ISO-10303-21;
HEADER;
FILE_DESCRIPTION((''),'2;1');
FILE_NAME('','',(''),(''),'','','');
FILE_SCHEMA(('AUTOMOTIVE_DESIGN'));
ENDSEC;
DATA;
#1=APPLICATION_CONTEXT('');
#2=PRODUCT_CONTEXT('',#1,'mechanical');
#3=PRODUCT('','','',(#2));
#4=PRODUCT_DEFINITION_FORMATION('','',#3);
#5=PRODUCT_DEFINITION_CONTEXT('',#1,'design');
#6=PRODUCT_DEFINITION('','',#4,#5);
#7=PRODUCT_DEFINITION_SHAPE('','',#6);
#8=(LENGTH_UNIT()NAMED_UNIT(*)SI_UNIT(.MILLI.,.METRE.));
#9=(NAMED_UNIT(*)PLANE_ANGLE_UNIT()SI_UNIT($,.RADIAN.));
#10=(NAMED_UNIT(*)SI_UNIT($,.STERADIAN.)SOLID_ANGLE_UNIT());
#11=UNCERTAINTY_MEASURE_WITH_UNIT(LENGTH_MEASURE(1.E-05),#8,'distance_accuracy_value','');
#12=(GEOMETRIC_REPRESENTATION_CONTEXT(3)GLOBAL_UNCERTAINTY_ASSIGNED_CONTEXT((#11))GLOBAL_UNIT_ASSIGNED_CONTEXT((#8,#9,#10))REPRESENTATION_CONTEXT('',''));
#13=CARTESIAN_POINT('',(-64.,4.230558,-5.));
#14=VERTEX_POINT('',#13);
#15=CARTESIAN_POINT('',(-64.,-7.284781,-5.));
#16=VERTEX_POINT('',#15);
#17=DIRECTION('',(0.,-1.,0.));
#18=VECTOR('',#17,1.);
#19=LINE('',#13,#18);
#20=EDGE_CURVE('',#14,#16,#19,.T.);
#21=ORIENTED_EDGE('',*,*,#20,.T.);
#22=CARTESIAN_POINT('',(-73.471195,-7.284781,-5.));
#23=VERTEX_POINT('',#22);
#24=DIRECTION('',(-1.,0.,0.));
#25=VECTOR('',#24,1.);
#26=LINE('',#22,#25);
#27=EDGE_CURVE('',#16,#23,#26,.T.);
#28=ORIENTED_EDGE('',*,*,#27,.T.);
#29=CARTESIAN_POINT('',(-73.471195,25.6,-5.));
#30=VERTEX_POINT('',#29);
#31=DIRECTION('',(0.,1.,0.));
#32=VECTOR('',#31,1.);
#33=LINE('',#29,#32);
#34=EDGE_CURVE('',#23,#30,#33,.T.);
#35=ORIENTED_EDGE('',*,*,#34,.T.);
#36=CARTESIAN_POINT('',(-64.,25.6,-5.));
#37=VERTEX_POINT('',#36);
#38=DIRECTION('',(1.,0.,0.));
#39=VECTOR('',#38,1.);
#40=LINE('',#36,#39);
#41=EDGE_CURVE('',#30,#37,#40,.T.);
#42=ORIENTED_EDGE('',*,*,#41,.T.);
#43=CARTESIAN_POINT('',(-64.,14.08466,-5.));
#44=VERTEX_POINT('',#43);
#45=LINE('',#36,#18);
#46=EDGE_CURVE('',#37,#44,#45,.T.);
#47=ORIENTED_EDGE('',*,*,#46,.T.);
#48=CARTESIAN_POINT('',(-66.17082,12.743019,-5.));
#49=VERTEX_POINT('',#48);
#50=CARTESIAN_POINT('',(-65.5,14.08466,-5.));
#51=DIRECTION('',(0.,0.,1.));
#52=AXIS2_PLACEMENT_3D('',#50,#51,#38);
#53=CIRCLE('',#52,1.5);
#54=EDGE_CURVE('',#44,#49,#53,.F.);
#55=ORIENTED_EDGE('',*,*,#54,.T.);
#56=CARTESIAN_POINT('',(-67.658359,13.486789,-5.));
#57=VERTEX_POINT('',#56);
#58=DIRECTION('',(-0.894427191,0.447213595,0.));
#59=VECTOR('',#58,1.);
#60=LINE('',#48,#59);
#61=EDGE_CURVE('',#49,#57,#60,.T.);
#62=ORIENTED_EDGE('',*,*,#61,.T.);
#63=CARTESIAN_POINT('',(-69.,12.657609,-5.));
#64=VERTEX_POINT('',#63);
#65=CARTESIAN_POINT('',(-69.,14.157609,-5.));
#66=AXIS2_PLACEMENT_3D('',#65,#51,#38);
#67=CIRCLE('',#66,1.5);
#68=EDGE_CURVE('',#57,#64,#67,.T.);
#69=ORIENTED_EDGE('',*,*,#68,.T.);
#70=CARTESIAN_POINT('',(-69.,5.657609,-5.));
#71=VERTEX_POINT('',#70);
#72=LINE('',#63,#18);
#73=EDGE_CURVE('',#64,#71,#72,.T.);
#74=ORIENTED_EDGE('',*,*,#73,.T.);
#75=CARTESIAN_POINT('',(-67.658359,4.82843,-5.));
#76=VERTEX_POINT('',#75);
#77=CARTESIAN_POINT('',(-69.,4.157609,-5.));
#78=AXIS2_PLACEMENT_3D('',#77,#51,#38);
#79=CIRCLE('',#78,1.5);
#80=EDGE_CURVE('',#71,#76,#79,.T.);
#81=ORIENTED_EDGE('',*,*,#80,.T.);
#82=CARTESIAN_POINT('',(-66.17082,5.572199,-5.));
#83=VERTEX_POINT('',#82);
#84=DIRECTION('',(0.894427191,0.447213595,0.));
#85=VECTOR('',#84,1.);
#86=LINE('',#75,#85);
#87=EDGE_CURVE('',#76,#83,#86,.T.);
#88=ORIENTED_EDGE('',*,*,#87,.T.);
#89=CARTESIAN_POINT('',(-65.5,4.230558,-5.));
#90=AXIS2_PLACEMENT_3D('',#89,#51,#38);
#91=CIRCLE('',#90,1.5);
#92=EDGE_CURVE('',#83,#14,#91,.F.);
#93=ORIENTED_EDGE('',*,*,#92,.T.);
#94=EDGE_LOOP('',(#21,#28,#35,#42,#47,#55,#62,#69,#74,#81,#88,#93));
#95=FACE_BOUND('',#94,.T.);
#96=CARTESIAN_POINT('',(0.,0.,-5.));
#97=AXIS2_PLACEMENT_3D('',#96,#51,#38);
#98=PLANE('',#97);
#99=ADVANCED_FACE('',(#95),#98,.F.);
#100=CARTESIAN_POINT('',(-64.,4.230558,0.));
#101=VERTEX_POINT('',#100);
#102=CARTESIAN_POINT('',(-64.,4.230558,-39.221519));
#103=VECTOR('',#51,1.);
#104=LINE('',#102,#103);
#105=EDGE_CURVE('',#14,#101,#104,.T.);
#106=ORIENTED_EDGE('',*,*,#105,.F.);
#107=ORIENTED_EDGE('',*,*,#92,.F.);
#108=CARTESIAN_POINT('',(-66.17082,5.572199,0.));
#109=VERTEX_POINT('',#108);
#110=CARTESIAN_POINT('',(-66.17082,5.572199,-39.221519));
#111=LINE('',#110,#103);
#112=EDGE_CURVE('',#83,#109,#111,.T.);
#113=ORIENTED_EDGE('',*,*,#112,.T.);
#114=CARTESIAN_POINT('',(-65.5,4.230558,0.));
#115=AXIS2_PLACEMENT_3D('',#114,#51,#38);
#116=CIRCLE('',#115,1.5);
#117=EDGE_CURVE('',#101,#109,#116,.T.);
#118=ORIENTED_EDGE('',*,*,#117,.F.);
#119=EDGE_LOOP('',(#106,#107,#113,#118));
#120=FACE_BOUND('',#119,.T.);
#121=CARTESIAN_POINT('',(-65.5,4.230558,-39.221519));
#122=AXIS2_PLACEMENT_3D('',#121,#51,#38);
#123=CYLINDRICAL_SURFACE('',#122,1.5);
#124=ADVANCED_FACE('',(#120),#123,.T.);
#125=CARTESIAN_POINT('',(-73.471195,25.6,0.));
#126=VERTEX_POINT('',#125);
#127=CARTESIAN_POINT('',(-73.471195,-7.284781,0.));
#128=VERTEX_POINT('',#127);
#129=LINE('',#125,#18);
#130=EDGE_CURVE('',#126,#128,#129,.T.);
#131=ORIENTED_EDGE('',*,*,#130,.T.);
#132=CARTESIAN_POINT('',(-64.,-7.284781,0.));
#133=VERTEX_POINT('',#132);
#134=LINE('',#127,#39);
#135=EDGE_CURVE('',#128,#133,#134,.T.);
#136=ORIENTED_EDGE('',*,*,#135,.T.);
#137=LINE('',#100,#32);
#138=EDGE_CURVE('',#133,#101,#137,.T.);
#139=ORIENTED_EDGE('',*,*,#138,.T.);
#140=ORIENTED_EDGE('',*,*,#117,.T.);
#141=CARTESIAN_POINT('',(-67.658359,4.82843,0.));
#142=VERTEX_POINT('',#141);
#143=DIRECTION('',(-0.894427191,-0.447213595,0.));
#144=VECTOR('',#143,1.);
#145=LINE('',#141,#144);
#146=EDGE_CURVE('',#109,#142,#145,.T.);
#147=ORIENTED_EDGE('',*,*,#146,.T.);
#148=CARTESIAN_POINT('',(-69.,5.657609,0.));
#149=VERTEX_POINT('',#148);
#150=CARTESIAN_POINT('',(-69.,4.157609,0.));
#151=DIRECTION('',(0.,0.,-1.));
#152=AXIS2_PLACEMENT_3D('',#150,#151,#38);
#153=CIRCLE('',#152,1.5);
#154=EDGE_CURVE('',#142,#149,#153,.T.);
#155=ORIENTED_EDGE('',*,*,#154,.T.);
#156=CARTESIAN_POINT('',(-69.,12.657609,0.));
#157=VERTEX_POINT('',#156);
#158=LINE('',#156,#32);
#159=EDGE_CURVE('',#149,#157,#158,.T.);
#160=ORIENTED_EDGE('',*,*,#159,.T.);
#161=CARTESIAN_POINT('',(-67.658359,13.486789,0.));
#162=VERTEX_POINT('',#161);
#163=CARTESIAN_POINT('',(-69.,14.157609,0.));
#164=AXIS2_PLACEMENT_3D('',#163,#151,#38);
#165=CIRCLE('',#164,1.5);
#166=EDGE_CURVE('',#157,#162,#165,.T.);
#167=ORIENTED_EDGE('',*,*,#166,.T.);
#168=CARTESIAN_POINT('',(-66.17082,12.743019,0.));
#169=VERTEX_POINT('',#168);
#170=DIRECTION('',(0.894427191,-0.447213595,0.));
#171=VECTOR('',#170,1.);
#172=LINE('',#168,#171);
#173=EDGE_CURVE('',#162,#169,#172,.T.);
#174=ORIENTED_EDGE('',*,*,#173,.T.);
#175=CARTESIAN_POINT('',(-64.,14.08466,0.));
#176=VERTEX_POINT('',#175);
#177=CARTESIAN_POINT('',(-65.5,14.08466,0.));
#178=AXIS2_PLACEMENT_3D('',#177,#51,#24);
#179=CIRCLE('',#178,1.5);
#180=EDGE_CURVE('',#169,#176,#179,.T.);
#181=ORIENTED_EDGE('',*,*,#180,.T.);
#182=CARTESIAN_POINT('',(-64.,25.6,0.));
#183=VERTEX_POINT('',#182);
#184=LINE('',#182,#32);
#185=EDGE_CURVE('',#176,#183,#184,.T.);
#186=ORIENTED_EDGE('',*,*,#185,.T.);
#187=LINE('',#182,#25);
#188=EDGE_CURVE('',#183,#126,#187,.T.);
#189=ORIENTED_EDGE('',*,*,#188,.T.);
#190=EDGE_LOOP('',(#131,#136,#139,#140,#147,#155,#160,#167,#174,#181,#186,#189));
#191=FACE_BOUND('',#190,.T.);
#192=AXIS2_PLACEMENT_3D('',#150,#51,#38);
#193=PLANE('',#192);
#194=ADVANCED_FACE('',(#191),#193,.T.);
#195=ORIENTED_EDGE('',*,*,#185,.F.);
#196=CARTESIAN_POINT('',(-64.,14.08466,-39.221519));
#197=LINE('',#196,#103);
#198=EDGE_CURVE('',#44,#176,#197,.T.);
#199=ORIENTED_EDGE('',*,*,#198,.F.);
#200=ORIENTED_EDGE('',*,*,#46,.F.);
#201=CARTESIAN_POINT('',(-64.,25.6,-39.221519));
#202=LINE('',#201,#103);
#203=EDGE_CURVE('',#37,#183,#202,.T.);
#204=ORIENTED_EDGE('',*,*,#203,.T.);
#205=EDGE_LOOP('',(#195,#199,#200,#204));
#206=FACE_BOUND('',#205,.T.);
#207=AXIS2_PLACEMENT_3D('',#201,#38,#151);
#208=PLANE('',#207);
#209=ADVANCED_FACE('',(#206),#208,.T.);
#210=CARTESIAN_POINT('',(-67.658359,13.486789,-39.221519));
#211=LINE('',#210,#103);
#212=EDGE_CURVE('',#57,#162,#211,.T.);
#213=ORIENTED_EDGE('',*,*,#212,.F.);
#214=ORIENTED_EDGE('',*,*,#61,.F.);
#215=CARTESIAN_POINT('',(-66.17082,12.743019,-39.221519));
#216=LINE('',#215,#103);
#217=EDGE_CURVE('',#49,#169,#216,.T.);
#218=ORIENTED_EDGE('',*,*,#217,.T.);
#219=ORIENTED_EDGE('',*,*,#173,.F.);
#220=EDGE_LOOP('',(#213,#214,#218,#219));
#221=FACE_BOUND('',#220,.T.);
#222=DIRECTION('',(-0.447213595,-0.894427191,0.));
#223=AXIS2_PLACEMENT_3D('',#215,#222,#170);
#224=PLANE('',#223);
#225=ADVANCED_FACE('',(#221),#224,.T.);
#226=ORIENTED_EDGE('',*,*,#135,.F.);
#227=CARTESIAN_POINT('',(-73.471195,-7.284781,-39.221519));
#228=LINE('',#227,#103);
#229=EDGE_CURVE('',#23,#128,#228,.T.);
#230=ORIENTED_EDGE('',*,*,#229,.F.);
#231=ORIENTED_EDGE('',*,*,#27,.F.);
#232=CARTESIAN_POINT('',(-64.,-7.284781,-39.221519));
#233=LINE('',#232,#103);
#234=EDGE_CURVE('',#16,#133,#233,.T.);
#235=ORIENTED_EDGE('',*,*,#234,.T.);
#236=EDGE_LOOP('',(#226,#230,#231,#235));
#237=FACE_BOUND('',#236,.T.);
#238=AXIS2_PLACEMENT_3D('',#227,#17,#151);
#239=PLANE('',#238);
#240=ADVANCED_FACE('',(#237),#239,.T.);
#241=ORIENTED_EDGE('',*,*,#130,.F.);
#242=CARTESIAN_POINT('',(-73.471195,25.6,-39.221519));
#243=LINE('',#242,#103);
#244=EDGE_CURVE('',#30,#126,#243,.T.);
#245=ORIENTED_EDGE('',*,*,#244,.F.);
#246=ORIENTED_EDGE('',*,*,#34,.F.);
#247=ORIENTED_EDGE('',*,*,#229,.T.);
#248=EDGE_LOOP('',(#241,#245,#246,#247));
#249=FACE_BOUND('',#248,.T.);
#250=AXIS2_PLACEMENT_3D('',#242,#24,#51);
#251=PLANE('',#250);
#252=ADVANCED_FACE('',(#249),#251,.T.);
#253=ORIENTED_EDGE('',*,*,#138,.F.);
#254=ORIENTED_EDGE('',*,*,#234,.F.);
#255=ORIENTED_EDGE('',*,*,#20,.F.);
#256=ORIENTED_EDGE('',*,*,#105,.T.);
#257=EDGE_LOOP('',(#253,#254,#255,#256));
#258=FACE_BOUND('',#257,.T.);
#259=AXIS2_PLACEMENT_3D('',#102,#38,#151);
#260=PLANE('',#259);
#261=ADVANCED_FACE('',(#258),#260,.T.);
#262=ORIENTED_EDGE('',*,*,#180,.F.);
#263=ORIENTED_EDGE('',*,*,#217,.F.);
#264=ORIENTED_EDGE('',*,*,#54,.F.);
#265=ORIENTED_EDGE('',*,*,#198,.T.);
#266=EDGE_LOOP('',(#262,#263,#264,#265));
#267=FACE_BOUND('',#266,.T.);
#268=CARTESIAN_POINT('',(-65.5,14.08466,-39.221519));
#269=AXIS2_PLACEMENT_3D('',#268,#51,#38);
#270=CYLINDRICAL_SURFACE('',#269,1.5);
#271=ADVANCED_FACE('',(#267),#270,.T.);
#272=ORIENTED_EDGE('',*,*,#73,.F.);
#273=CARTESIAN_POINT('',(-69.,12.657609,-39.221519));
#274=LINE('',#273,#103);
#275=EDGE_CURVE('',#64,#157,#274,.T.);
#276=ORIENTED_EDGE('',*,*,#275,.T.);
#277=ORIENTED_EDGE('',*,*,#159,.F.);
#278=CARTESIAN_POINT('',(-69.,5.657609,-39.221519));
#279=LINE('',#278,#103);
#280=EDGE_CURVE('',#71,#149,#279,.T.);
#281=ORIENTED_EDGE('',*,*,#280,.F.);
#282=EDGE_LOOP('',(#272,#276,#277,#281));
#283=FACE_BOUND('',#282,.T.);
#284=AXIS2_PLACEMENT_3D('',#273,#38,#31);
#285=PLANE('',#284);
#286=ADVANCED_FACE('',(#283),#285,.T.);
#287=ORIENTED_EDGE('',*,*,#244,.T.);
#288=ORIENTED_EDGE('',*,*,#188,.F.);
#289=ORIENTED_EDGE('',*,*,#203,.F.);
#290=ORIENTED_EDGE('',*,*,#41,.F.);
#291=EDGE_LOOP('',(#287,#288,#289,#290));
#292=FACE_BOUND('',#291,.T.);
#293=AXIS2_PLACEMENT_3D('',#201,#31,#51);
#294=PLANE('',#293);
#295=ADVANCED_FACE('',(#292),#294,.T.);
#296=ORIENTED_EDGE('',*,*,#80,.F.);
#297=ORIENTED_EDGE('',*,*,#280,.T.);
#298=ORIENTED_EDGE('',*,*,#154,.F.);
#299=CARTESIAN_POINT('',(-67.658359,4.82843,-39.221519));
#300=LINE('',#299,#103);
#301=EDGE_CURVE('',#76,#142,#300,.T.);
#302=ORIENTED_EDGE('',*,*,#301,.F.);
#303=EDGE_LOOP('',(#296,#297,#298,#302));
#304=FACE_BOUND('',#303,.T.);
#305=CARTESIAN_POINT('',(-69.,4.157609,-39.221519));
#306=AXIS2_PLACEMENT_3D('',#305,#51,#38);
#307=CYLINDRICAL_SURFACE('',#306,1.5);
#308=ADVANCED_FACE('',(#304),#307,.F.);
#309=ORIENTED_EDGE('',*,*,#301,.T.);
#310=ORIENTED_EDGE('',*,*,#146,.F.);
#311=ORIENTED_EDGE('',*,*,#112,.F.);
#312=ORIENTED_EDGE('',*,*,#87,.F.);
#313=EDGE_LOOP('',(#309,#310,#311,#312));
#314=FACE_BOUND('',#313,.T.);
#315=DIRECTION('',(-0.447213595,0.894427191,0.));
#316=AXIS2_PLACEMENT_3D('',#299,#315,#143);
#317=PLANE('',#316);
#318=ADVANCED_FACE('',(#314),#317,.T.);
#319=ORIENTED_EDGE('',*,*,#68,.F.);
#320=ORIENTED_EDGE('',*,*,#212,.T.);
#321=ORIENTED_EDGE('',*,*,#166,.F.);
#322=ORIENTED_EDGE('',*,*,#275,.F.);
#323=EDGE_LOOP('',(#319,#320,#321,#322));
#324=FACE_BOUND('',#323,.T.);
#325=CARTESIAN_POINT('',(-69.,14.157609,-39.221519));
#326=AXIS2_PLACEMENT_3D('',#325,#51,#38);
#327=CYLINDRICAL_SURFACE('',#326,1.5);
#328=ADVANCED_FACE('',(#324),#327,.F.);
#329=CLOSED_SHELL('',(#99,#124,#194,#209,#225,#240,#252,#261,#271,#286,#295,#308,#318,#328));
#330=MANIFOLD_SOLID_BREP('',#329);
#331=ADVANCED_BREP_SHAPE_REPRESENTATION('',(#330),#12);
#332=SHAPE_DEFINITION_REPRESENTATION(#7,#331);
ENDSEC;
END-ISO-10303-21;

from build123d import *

# Parameters (mm, degrees)
SALIENTE_EXTRUIR1_DEPTH = 5


with BuildPart() as part:
    # Croquis1 → Saliente-Extruir1 (new body)
    with BuildSketch(Plane.XY):
        with BuildLine():
            Line((-64, 25.6), (-73.471195353, 25.6))
            Line((-73.471195353, 25.6), (-73.471195353, -7.284781413))
            Line((-73.471195353, -7.284781413), (-64, -7.284781413))
            Line((-64, -7.284781413), (-64, 4.23055831))
            ThreePointArc((-64, 4.23055831), (-64.711403332, 5.506534523), (-66.170820393, 5.572199097))
            Line((-66.170820393, 5.572199097), (-67.658359214, 4.828429687))
            ThreePointArc((-67.658359214, 4.828429687), (-69.788596668, 2.881633081), (-69, 5.657609293))
            Line((-69, 5.657609293), (-69, 12.657609293))
            ThreePointArc((-69, 12.657609293), (-69.788596668, 15.433585506), (-67.658359214, 13.4867889))
            Line((-67.658359214, 13.4867889), (-66.170820393, 12.74301949))
            ThreePointArc((-66.170820393, 12.74301949), (-64.711403332, 12.808684064), (-64, 14.084660276))
            Line((-64, 14.084660276), (-64, 25.6))
        make_face()
    extrude(amount=-SALIENTE_EXTRUIR1_DEPTH)


solid = part.part
